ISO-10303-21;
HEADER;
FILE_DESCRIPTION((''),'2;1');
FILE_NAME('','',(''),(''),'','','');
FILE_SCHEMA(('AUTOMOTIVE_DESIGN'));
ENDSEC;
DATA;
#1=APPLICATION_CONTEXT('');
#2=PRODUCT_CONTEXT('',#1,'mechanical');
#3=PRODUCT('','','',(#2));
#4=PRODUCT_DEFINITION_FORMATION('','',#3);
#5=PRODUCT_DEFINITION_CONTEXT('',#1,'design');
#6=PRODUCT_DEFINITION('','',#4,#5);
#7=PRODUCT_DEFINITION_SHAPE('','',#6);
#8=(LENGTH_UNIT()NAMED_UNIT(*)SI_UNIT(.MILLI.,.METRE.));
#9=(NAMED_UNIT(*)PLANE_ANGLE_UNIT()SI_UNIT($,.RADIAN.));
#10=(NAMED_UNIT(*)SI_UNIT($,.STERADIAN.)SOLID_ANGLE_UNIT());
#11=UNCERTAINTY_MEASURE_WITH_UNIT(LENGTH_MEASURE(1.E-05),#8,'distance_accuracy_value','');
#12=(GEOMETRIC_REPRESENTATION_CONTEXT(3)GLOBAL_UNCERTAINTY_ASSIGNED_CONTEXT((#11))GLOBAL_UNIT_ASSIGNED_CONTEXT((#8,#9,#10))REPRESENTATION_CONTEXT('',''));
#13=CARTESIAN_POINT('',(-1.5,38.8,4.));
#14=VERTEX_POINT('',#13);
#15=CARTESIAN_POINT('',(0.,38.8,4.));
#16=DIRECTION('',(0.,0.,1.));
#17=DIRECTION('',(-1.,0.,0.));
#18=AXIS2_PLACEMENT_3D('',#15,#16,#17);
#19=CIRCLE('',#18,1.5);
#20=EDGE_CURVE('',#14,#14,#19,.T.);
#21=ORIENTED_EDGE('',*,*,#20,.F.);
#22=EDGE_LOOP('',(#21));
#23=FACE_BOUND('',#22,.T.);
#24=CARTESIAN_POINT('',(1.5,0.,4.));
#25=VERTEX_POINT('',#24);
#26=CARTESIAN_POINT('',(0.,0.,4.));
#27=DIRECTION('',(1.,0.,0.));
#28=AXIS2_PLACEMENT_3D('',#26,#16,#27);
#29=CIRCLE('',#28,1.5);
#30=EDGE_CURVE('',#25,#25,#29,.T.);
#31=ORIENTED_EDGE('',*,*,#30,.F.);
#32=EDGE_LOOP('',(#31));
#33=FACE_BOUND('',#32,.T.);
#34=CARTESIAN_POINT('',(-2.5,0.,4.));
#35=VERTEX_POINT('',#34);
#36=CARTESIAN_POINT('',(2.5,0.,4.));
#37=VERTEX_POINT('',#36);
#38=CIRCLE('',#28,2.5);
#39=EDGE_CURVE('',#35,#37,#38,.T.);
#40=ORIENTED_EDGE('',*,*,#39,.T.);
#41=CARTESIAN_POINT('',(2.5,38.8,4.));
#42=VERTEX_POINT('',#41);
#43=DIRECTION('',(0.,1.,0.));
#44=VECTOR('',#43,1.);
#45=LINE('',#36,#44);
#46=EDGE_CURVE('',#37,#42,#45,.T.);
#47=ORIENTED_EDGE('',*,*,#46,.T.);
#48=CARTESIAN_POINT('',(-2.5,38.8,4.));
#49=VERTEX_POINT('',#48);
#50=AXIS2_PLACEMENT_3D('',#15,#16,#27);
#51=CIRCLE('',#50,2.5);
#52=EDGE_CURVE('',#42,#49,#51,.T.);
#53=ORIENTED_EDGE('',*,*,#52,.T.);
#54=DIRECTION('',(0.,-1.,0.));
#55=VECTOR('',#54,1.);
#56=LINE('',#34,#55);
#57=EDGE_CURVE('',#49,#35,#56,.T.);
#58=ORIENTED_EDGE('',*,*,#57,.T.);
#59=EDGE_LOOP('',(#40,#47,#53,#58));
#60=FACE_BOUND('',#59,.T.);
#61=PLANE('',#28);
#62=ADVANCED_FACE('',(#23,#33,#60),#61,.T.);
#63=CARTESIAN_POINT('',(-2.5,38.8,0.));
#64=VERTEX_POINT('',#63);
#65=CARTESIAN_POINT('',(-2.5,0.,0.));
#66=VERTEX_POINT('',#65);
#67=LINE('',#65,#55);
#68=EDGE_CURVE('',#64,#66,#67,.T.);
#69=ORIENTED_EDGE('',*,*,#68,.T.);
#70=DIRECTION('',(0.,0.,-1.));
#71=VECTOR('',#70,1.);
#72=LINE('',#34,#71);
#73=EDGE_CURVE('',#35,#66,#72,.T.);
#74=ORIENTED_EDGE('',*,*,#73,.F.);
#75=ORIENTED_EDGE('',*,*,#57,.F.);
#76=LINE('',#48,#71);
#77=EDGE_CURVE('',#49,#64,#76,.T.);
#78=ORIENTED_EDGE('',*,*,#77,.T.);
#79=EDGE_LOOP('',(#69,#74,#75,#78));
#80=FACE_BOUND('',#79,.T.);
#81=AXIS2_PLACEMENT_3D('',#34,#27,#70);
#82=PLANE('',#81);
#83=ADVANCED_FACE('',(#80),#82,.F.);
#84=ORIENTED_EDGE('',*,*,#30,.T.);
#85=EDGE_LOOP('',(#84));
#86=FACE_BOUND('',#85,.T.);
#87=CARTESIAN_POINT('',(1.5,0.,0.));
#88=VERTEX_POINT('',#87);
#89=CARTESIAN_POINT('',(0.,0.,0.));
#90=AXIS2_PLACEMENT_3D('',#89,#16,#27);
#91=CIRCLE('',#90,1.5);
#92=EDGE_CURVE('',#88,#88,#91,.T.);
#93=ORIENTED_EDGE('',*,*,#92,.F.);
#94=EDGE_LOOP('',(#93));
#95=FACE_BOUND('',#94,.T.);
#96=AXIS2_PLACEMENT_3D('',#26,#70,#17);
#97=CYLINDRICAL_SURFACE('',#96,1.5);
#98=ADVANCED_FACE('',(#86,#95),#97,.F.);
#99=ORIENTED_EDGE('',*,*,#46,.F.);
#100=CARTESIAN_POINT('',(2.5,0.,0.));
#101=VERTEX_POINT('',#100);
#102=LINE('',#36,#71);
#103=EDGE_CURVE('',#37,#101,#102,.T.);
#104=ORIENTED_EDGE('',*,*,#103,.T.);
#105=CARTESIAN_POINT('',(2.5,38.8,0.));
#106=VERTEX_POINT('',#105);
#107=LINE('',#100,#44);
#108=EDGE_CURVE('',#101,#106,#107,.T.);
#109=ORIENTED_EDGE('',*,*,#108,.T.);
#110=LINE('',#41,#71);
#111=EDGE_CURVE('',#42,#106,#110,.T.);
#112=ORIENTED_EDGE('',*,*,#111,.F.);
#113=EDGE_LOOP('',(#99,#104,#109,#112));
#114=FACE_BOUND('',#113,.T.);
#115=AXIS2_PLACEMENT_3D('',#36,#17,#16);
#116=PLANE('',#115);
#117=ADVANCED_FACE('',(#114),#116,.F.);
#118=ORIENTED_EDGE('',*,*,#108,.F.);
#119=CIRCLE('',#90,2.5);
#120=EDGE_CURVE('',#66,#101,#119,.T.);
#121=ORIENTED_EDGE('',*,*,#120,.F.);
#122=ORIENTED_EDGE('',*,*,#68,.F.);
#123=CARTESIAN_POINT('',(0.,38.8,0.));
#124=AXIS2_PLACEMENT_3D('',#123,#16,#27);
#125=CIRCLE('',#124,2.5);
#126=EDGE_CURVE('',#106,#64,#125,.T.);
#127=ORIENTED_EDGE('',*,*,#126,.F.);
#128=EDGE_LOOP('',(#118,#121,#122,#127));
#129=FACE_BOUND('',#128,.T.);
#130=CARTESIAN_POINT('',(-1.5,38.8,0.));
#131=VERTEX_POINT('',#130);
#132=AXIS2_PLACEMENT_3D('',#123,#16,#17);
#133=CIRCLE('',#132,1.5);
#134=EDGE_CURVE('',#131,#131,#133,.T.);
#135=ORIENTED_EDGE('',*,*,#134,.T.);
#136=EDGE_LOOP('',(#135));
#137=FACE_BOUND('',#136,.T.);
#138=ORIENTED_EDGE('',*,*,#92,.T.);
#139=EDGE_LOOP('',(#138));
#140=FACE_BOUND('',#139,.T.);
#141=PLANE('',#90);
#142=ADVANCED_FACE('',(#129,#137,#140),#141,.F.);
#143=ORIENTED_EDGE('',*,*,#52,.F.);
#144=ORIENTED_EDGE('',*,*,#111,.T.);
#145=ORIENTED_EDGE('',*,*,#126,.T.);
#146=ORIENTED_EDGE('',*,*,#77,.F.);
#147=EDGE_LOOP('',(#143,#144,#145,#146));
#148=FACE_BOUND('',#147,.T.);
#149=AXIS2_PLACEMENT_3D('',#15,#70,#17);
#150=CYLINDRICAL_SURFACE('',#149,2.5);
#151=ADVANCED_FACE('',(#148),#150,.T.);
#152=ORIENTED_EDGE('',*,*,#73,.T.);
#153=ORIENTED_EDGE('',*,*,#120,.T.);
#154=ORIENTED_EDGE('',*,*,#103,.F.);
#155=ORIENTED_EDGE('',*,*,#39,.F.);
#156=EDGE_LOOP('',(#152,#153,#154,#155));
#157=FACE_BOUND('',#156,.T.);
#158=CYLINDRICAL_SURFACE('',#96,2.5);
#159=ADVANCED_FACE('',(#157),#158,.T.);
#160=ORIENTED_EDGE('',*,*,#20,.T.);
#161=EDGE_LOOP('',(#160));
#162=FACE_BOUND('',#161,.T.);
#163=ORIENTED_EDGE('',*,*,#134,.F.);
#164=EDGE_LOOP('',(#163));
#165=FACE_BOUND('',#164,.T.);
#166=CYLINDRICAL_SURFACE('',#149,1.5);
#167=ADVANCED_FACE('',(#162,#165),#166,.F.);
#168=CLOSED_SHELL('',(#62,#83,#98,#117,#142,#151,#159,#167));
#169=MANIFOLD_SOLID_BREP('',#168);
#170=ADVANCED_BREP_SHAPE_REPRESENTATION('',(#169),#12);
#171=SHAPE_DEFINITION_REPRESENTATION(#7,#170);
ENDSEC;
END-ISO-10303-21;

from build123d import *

# Parameters (mm, degrees)
SKETCH1_R           = 1.5
BOSS_EXTRUDE2_DEPTH = 4


with BuildPart() as part:
    # Sketch1 → Boss-Extrude2 (new body)
    with BuildSketch(Plane.XY):
        with BuildLine():
            Line((-2.5, 0), (-2.5, 38.8))
            ThreePointArc((-2.5, 38.8), (0, 41.3), (2.5, 38.8))
            Line((2.5, 38.8), (2.5, 0))
            ThreePointArc((2.5, 0), (0, -2.5), (-2.5, 0))
        make_face()
        Circle(SKETCH1_R, mode=Mode.SUBTRACT)
        with Locations(Location((0, 38.8, 0), (0, 0, 180))):
            Circle(SKETCH1_R, mode=Mode.SUBTRACT)
    extrude(amount=BOSS_EXTRUDE2_DEPTH)


solid = part.part
